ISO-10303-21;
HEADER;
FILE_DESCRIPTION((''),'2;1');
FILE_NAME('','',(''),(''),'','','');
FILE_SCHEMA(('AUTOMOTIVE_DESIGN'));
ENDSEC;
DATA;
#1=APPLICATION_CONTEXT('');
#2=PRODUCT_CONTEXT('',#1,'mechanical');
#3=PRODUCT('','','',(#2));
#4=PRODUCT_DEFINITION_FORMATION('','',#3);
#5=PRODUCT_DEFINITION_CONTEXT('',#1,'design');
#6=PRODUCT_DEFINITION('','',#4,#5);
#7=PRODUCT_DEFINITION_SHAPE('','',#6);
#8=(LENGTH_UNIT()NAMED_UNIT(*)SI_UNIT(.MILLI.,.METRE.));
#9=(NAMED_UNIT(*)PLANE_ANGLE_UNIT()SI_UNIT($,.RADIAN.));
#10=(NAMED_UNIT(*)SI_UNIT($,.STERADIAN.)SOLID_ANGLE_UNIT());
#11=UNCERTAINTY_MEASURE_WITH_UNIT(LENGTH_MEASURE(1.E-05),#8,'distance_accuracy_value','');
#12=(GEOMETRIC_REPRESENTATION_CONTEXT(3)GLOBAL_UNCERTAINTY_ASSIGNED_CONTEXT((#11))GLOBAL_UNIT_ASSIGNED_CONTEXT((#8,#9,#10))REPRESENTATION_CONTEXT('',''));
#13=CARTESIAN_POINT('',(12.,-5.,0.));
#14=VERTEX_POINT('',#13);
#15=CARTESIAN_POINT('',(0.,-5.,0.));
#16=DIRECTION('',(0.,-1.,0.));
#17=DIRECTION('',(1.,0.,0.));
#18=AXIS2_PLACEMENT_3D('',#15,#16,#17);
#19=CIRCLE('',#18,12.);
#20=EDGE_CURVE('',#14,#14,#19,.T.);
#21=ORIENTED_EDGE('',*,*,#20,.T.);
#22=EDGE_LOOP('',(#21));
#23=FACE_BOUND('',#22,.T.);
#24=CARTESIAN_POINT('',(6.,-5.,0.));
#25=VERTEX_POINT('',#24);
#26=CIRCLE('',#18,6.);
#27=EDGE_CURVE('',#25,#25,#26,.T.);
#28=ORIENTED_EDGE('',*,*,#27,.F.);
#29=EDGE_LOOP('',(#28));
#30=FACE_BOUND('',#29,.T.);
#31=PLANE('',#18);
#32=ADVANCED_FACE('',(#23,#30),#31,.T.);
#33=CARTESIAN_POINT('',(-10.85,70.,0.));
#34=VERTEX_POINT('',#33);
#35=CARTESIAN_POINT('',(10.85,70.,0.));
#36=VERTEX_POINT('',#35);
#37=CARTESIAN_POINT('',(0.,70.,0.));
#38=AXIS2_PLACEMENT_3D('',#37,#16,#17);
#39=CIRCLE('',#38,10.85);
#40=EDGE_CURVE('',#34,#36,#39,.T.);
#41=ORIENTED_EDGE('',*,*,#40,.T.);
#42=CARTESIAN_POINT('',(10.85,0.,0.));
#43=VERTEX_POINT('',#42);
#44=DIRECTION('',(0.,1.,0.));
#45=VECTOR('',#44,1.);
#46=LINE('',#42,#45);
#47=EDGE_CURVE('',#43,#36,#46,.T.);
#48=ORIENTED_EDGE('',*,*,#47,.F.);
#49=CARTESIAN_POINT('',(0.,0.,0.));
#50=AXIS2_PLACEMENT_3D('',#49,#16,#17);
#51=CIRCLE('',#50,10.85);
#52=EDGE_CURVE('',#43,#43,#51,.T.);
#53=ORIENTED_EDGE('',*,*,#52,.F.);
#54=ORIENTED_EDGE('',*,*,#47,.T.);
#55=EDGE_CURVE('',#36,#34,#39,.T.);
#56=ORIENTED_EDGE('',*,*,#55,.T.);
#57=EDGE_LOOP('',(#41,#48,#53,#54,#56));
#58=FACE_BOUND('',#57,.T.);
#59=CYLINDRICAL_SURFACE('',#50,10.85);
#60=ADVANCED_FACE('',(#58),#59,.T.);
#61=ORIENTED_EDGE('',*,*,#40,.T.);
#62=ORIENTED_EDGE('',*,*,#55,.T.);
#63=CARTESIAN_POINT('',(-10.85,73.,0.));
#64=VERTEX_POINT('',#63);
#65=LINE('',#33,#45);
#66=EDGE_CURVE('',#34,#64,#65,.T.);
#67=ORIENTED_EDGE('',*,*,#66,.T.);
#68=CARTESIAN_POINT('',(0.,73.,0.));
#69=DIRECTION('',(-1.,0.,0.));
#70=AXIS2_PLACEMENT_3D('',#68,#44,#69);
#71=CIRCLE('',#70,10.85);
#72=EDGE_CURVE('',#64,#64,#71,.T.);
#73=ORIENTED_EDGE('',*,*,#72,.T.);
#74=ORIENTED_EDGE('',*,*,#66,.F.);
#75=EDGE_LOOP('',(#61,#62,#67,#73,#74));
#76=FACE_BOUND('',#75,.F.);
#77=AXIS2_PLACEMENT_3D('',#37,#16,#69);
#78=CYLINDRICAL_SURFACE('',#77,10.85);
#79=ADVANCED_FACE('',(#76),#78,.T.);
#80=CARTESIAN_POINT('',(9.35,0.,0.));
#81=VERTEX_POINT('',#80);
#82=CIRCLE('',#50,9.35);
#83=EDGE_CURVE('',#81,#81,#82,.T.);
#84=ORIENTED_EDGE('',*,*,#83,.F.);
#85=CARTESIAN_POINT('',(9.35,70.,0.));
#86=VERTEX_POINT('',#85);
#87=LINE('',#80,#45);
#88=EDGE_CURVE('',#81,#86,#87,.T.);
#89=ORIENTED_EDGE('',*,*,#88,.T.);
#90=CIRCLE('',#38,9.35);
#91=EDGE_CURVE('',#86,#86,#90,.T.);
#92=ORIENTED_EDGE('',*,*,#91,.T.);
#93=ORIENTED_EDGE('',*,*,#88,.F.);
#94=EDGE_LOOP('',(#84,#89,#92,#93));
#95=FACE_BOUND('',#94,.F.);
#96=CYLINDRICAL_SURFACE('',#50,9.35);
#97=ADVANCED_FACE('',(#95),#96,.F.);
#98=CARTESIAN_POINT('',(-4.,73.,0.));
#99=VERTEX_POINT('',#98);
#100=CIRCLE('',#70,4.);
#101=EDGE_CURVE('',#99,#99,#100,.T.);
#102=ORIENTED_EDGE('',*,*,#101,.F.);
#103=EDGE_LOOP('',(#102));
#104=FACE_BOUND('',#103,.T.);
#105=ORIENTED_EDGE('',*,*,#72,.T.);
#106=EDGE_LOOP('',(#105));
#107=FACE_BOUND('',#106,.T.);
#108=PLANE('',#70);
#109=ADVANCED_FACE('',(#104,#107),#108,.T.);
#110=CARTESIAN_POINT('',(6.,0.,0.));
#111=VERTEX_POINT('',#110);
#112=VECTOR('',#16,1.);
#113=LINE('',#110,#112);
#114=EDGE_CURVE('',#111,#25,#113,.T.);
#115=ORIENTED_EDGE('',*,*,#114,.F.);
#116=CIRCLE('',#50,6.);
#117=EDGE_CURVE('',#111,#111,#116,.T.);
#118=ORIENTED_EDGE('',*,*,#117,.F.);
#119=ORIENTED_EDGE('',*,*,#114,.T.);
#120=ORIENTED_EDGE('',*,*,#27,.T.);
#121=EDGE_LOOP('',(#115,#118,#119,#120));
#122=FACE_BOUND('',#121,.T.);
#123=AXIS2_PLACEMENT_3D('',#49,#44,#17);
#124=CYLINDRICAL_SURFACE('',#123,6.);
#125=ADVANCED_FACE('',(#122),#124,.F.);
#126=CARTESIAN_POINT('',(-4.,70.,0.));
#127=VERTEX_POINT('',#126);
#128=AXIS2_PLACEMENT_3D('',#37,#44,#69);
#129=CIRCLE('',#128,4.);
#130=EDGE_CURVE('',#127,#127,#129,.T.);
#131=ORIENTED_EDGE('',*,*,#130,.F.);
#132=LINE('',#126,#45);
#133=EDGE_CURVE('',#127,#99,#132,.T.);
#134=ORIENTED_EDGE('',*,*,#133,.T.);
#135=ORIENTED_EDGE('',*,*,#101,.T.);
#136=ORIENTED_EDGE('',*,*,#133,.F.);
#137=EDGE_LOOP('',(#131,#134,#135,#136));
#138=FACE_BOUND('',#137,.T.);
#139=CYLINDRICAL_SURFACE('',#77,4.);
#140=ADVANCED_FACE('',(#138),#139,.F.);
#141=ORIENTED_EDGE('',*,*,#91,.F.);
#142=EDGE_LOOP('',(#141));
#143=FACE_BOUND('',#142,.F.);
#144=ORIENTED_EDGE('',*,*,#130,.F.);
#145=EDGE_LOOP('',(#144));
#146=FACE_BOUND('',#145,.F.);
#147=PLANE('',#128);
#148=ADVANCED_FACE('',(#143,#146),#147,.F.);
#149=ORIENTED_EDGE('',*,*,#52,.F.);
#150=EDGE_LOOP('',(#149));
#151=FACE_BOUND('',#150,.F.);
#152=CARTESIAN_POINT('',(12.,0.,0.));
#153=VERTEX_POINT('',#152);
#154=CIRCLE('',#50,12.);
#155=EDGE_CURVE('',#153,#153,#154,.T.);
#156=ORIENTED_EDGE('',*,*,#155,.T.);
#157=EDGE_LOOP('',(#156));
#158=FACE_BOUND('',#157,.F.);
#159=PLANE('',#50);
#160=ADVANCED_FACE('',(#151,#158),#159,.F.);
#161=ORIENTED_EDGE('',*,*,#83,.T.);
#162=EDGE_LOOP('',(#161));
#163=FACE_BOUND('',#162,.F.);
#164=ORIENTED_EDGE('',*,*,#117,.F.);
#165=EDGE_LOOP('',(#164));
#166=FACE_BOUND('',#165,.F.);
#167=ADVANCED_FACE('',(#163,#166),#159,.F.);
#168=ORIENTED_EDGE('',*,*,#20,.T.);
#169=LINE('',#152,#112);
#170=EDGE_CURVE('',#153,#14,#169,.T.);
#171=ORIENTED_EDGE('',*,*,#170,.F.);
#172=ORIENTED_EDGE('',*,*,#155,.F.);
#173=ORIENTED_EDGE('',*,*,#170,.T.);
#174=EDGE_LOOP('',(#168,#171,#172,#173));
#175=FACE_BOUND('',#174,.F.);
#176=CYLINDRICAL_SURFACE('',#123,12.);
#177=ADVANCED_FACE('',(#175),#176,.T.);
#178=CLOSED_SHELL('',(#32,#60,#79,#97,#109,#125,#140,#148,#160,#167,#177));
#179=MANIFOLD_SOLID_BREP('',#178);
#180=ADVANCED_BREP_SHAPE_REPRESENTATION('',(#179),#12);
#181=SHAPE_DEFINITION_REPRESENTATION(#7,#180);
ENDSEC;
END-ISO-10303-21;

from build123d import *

# Parameters (mm, degrees)
F0_R     = 12
F0_R_2   = 10.85
F0_R_3   = 9.35
F0_R_4   = 6
F1_DEPTH = 5
F2_DEPTH = 70
F3_R     = 10.85
F3_R_2   = 4
F4_DEPTH = 3


with BuildPart() as f1:
    # F0 (on Front) → F1 (new body)
    with BuildSketch(Plane.XZ):
        Circle(F0_R)
        Circle(F0_R_2, mode=Mode.SUBTRACT)
        Circle(F0_R_2)
        Circle(F0_R_3, mode=Mode.SUBTRACT)
        Circle(F0_R_3)
        Circle(F0_R_4, mode=Mode.SUBTRACT)
    extrude(amount=F1_DEPTH)

    # F0 (on Front) → F2 (join)
    with BuildSketch(Plane.XZ):
        Circle(F0_R_2)
        Circle(F0_R_3, mode=Mode.SUBTRACT)
    extrude(amount=-F2_DEPTH)

    # F3 (on face) → F4 (join)
    with BuildSketch(Plane(origin=(0, 70, 0), x_dir=(-1, 0, 0), z_dir=(0, 1, 0))):
        Circle(F3_R)
        Circle(F3_R_2, mode=Mode.SUBTRACT)
    extrude(amount=F4_DEPTH)


solid = f1.part
